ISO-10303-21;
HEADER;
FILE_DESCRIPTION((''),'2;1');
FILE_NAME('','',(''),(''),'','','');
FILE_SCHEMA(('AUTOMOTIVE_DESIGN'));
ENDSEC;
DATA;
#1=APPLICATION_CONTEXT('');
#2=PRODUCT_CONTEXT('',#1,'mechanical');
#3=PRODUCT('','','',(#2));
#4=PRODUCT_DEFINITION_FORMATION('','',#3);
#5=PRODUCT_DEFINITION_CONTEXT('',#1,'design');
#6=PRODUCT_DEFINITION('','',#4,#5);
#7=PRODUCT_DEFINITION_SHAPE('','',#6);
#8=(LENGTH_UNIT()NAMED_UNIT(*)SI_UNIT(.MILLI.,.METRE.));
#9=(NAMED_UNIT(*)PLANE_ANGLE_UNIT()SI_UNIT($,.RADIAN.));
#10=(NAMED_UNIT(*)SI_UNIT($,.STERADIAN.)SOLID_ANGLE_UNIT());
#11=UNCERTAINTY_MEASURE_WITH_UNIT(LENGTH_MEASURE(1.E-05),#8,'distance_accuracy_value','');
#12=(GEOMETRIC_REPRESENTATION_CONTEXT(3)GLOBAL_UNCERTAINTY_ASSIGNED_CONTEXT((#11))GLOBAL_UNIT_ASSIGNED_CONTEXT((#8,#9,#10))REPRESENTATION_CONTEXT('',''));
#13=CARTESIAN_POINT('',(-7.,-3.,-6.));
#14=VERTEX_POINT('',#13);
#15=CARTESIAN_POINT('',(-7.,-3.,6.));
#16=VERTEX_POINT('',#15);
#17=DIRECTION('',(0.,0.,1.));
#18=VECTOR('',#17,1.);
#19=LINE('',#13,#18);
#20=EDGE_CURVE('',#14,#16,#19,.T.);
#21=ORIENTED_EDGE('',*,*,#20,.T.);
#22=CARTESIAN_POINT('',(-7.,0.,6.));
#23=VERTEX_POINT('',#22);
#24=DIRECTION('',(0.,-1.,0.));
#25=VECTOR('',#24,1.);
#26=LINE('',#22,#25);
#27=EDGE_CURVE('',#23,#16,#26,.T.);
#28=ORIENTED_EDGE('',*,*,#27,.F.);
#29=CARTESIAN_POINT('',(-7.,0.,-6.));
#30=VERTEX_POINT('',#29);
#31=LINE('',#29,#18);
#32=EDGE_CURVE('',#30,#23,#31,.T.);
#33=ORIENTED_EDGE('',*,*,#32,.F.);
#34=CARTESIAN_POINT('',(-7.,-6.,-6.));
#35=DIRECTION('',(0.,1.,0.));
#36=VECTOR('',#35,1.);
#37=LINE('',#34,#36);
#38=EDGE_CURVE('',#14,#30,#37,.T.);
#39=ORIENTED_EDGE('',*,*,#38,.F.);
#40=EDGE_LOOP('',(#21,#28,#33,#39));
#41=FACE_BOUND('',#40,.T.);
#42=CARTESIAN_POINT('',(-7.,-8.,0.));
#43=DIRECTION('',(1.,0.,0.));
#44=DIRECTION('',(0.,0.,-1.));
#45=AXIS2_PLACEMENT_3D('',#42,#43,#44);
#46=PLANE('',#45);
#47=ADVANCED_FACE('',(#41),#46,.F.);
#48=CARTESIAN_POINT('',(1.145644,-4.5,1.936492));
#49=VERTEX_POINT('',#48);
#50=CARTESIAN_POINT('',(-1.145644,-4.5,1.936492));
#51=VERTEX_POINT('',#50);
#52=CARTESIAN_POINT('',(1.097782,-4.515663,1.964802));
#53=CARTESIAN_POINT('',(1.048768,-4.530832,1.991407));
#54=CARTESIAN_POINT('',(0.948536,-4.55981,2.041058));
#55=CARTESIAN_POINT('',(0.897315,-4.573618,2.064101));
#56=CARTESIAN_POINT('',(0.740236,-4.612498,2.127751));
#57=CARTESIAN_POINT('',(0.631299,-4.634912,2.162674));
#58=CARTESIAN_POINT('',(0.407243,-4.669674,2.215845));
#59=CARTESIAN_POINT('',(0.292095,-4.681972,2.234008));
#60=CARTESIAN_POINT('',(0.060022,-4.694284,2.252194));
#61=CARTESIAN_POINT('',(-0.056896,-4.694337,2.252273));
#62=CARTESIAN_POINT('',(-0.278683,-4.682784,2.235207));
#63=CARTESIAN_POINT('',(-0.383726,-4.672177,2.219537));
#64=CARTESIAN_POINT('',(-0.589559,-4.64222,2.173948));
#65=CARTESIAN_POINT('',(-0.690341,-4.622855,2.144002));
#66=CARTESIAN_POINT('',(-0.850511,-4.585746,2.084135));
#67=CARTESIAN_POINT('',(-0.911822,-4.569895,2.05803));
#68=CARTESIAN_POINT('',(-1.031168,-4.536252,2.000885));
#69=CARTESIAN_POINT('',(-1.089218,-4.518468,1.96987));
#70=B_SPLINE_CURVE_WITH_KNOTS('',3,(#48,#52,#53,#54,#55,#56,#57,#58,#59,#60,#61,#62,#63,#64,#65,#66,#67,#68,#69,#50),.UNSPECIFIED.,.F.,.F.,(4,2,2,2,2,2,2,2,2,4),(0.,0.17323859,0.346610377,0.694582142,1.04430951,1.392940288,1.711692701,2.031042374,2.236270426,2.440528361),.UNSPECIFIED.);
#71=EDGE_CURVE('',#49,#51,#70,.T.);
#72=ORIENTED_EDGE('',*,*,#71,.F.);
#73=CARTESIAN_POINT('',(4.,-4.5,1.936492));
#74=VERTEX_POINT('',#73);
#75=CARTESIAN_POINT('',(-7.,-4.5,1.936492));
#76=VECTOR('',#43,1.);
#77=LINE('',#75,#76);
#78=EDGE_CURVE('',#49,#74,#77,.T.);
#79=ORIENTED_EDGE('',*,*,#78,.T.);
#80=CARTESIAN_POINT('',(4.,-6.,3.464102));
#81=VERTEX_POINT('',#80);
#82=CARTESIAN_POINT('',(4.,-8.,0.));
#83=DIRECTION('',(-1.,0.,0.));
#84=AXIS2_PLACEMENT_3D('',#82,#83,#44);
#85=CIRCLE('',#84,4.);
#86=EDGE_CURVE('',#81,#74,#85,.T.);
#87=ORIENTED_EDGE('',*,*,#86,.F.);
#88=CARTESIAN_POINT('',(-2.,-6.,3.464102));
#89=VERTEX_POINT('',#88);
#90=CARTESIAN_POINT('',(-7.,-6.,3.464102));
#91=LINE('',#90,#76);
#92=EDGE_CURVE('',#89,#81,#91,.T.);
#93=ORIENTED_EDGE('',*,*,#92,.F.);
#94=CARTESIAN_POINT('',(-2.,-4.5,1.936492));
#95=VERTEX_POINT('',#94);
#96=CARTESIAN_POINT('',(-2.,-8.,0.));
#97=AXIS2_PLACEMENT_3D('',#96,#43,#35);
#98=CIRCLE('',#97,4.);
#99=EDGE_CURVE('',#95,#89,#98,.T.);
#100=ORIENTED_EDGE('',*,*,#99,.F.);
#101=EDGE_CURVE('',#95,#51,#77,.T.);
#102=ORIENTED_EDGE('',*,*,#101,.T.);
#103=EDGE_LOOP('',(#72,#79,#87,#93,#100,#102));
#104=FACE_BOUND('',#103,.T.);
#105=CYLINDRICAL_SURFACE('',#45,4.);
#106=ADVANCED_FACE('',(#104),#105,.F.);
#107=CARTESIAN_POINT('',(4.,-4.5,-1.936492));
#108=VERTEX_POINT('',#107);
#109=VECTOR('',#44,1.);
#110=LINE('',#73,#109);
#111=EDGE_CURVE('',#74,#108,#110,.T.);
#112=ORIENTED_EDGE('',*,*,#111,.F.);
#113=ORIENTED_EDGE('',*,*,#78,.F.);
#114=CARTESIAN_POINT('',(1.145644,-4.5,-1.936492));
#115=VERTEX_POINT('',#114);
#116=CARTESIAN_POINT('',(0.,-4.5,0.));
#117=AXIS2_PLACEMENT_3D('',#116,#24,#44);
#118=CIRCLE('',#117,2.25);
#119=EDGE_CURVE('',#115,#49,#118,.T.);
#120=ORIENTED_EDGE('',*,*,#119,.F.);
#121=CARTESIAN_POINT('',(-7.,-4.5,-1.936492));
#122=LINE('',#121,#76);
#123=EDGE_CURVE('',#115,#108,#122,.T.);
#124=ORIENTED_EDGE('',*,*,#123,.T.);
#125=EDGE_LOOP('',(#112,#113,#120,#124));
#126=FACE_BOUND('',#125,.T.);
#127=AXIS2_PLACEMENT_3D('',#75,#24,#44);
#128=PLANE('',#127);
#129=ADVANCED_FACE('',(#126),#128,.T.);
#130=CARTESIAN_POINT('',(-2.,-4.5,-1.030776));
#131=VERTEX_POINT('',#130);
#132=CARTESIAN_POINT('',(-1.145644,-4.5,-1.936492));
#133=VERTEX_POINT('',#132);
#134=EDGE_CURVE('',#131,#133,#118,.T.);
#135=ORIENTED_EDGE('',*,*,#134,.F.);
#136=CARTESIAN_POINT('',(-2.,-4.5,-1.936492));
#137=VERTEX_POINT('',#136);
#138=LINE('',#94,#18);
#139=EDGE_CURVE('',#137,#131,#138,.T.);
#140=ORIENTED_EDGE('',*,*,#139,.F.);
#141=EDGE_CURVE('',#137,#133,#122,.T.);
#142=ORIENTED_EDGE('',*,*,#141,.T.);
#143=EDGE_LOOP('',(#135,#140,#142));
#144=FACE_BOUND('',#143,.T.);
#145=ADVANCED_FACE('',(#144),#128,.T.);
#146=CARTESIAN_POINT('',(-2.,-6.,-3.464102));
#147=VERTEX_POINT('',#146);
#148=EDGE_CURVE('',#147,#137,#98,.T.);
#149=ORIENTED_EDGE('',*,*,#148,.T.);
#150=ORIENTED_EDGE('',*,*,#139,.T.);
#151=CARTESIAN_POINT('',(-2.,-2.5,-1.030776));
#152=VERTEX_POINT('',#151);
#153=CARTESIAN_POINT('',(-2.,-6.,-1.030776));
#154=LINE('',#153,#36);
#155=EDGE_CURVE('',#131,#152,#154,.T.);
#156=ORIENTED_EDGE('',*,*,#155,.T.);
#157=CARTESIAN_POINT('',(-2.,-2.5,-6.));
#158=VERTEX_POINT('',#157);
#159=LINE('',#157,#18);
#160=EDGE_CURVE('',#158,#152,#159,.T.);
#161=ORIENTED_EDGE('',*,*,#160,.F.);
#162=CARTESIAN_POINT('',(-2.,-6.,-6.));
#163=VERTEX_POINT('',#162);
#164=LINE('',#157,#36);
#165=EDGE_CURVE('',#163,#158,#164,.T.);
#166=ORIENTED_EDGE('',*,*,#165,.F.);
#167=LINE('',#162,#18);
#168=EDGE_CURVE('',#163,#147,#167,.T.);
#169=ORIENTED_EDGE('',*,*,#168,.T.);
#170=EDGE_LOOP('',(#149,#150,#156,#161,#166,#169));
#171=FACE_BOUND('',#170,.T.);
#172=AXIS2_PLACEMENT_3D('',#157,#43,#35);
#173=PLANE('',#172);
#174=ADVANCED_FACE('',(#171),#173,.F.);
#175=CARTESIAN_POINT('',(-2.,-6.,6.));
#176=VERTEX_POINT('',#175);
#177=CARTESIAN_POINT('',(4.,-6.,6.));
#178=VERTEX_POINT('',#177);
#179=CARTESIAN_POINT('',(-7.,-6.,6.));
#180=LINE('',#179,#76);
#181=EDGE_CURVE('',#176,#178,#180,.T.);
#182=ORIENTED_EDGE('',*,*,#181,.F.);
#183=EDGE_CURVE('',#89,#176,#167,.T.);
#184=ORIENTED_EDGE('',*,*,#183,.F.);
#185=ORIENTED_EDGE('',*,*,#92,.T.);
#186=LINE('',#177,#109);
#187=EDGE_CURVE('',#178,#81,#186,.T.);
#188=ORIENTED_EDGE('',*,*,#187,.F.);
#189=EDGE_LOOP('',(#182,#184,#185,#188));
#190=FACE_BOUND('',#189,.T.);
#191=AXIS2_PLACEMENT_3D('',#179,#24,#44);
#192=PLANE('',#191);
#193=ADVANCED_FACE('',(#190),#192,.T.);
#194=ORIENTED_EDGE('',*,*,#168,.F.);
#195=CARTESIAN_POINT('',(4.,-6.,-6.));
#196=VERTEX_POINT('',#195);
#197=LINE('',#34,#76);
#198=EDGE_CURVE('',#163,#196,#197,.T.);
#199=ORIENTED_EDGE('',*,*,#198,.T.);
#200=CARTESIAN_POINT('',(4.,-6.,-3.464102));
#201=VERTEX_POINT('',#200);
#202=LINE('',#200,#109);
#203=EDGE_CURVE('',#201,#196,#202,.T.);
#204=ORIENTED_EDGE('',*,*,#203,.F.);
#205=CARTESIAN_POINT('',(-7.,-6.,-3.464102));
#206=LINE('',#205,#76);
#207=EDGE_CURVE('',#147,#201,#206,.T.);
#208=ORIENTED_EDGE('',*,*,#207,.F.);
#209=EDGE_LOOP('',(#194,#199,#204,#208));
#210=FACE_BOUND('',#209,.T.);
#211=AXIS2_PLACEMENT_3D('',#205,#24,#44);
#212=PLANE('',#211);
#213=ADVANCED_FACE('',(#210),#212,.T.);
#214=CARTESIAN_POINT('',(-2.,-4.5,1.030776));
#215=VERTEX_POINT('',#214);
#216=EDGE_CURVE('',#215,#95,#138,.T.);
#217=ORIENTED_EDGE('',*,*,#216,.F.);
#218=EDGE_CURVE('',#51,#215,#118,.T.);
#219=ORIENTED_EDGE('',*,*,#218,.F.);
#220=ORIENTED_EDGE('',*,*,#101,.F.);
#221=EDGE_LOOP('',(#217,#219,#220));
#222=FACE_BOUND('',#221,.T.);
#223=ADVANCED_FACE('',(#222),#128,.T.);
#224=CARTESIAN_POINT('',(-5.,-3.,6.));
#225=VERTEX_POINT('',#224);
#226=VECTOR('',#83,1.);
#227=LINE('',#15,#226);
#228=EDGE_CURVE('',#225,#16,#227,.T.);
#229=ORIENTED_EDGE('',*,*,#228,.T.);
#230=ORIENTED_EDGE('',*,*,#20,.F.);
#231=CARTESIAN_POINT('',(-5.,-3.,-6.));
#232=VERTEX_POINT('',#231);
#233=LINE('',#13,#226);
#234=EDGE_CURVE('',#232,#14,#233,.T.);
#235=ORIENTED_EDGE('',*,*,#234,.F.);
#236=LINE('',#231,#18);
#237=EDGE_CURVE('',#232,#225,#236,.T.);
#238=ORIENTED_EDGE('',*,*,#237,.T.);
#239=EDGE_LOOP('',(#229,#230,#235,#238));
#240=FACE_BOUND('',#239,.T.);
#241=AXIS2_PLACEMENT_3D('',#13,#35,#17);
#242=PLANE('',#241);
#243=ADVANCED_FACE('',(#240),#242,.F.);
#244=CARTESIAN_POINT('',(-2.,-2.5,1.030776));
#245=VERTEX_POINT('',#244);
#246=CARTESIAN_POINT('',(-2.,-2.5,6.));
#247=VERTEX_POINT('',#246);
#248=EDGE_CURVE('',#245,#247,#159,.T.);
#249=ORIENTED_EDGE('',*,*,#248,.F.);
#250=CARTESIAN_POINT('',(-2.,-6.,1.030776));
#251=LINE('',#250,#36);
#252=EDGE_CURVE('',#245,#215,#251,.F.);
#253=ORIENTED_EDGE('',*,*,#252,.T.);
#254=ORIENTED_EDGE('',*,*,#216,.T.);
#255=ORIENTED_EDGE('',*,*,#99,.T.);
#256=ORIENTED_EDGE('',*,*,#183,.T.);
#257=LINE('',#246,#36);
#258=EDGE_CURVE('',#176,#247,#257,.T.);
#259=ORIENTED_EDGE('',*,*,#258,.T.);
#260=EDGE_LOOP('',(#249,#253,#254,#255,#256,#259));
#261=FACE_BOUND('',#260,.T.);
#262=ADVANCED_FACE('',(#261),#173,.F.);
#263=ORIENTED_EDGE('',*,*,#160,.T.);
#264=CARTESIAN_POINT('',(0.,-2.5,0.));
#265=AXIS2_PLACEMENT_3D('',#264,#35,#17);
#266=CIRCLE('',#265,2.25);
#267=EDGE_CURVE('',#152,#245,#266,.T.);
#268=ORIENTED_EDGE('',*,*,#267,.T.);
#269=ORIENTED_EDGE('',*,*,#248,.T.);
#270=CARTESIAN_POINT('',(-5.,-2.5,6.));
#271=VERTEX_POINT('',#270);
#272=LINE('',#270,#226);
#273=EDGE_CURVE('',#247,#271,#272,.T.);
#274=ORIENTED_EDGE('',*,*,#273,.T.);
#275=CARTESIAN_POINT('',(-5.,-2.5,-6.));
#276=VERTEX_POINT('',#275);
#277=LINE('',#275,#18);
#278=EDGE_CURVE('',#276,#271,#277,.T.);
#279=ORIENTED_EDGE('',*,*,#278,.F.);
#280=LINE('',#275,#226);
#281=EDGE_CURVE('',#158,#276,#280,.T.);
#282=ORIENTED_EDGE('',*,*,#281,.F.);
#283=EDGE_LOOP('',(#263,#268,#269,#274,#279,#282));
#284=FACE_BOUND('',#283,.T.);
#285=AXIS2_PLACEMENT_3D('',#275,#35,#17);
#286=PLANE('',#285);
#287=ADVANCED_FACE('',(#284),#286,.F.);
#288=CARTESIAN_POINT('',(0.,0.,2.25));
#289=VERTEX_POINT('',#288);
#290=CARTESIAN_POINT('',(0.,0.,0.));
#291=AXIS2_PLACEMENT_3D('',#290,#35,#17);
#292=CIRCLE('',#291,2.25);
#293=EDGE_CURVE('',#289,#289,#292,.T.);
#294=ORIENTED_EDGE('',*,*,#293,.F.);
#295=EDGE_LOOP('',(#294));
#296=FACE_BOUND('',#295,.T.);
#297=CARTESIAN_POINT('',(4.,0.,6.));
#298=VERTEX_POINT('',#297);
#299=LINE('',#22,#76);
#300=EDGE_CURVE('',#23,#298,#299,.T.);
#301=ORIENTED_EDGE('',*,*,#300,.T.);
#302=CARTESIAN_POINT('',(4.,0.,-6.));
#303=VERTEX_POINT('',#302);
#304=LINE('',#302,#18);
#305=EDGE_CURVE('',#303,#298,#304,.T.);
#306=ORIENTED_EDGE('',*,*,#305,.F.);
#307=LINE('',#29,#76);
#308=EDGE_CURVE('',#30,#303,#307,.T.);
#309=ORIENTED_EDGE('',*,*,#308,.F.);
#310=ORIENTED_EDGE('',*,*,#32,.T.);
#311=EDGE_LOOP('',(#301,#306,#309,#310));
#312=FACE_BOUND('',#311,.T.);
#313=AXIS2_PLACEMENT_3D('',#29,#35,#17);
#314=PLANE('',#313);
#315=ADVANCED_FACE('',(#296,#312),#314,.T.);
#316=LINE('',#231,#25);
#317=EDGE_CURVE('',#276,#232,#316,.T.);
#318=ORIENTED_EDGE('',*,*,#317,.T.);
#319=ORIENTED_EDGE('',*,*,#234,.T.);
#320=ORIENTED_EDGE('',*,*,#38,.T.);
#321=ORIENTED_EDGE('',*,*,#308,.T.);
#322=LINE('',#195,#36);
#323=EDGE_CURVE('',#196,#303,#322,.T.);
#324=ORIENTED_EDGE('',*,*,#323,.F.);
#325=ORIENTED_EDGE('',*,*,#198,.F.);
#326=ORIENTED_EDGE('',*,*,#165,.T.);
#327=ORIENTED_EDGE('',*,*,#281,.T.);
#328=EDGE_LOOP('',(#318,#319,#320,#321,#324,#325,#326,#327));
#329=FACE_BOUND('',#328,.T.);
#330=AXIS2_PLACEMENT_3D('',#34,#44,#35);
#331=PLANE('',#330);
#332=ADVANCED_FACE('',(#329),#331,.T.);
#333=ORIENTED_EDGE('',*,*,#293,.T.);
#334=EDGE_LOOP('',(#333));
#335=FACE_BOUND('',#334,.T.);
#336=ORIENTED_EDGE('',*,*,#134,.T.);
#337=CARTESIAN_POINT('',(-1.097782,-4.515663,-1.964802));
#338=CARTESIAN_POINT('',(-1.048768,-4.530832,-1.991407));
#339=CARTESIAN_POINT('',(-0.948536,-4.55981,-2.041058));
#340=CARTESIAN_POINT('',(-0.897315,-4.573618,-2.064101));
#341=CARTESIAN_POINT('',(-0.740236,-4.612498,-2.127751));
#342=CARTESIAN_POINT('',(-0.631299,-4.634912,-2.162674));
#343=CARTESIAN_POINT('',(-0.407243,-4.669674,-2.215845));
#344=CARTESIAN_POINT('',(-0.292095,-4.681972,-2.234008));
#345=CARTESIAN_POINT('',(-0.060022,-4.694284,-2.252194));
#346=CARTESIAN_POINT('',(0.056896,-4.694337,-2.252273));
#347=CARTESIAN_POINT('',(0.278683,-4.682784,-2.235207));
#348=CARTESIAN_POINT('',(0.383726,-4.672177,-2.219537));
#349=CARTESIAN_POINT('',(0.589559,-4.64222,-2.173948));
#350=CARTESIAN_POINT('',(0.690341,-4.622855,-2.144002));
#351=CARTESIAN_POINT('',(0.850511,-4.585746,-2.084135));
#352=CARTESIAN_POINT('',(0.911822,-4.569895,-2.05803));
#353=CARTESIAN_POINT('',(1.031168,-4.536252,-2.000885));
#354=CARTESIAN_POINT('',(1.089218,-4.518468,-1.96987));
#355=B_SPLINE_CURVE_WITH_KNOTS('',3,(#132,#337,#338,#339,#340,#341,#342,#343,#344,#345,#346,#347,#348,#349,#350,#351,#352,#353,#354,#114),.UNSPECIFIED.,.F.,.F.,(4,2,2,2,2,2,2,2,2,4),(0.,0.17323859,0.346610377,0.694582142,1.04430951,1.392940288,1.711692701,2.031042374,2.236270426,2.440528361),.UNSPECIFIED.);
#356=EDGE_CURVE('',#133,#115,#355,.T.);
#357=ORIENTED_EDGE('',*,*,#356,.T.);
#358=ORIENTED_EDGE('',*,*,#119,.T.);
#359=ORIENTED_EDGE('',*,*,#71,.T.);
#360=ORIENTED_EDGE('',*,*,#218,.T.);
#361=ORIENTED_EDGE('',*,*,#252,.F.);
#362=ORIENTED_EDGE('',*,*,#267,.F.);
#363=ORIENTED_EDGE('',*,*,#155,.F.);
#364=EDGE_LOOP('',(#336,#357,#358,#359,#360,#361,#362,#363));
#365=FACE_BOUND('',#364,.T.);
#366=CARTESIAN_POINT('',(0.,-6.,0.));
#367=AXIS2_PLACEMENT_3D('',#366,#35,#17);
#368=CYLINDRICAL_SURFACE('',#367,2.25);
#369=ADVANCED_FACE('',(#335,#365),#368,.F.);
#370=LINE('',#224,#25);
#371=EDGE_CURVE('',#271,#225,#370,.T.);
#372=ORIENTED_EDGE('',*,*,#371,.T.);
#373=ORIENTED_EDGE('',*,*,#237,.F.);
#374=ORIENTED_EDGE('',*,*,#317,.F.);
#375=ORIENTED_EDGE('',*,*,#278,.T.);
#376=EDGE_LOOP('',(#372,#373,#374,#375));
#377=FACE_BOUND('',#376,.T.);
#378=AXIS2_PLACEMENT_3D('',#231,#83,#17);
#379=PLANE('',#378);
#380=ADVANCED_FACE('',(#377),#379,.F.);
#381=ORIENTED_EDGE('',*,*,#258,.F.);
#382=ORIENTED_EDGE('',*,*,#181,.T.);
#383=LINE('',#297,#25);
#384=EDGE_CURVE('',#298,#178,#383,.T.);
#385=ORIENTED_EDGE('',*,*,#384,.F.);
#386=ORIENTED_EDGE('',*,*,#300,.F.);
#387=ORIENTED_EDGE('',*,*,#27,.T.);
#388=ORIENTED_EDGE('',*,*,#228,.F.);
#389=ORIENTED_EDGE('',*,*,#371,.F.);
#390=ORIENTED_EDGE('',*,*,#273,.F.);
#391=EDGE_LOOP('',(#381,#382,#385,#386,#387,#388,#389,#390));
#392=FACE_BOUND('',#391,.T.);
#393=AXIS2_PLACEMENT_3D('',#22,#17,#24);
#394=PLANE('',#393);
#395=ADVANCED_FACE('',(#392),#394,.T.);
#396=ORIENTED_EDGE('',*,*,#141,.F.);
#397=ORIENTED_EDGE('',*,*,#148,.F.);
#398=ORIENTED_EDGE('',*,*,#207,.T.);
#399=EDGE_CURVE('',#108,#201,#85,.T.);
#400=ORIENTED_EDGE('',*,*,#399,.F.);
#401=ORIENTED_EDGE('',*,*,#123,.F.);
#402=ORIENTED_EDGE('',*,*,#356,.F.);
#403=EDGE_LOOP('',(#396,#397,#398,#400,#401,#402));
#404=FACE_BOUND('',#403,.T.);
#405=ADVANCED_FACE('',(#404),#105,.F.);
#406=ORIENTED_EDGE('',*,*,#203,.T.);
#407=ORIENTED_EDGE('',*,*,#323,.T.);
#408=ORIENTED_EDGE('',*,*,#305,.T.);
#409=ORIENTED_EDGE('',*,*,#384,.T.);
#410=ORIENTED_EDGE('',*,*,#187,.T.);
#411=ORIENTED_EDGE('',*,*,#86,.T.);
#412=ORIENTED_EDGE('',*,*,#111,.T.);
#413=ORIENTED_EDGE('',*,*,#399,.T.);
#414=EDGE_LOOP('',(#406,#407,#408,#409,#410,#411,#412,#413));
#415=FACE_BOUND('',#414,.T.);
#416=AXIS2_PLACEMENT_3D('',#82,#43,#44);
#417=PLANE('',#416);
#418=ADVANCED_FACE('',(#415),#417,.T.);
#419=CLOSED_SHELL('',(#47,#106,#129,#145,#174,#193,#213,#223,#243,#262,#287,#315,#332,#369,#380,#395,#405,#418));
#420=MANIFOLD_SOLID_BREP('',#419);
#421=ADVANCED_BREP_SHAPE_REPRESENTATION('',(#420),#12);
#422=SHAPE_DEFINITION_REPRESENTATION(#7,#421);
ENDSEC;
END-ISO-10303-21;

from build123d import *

# Parameters (mm, degrees)
BOSS_EXTRUDE1_DEPTH      = 4
BOSS_EXTRUDE1_DEPTH_BACK = 7
CUT_EXTRUDE1_DEPTH       = 12
CUT_EXTRUDE1_DEPTH_BACK  = 12
SKETCH3_R                = 2.25
CUT_EXTRUDE2_DEPTH       = 12


with BuildPart() as part:
    # Sketch1 → Boss-Extrude1 (new, two sides: drawn at the far end of the back side and taken through both)
    with BuildSketch(Plane(origin=(0, 0, 0), x_dir=(0, 0, -1), z_dir=(1, 0, 0)).offset(-BOSS_EXTRUDE1_DEPTH_BACK)):
        with BuildLine():
            Line((6, -6), (6, 0))
            Line((6, 0), (-6, 0))
            Line((-6, 0), (-6, -6))
            Line((-6, -6), (-3.464101615, -6))
            ThreePointArc((-3.464101615, -6), (-2.802517077, -5.145898034), (-1.936491673, -4.5))
            Line((-1.936491673, -4.5), (1.936491673, -4.5))
            ThreePointArc((1.936491673, -4.5), (2.802517077, -5.145898034), (3.464101615, -6))
            Line((3.464101615, -6), (6, -6))
        make_face()
    extrude(amount=BOSS_EXTRUDE1_DEPTH + BOSS_EXTRUDE1_DEPTH_BACK)

    # Sketch2 → Cut-Extrude1 (cut, two sides: drawn at the far end of the back side and taken through both)
    with BuildSketch(Plane.XY.offset(-CUT_EXTRUDE1_DEPTH_BACK)):
        Polygon((-7, -3), (-5, -3), (-5, -2.5), (-2, -2.5), (-2, -6), (-7, -6), align=None)
    extrude(amount=CUT_EXTRUDE1_DEPTH + CUT_EXTRUDE1_DEPTH_BACK, mode=Mode.SUBTRACT)

    # Sketch3 → Cut-Extrude2 (cut, through all)
    with BuildSketch(Plane(origin=(0, 0, 0), x_dir=(1, 0, 0), z_dir=(0, 1, 0))):
        with Locations(Location((0, 0, 0), (0, 0, 270))):
            Circle(SKETCH3_R)
    extrude(amount=-CUT_EXTRUDE2_DEPTH, mode=Mode.SUBTRACT)


solid = part.part
